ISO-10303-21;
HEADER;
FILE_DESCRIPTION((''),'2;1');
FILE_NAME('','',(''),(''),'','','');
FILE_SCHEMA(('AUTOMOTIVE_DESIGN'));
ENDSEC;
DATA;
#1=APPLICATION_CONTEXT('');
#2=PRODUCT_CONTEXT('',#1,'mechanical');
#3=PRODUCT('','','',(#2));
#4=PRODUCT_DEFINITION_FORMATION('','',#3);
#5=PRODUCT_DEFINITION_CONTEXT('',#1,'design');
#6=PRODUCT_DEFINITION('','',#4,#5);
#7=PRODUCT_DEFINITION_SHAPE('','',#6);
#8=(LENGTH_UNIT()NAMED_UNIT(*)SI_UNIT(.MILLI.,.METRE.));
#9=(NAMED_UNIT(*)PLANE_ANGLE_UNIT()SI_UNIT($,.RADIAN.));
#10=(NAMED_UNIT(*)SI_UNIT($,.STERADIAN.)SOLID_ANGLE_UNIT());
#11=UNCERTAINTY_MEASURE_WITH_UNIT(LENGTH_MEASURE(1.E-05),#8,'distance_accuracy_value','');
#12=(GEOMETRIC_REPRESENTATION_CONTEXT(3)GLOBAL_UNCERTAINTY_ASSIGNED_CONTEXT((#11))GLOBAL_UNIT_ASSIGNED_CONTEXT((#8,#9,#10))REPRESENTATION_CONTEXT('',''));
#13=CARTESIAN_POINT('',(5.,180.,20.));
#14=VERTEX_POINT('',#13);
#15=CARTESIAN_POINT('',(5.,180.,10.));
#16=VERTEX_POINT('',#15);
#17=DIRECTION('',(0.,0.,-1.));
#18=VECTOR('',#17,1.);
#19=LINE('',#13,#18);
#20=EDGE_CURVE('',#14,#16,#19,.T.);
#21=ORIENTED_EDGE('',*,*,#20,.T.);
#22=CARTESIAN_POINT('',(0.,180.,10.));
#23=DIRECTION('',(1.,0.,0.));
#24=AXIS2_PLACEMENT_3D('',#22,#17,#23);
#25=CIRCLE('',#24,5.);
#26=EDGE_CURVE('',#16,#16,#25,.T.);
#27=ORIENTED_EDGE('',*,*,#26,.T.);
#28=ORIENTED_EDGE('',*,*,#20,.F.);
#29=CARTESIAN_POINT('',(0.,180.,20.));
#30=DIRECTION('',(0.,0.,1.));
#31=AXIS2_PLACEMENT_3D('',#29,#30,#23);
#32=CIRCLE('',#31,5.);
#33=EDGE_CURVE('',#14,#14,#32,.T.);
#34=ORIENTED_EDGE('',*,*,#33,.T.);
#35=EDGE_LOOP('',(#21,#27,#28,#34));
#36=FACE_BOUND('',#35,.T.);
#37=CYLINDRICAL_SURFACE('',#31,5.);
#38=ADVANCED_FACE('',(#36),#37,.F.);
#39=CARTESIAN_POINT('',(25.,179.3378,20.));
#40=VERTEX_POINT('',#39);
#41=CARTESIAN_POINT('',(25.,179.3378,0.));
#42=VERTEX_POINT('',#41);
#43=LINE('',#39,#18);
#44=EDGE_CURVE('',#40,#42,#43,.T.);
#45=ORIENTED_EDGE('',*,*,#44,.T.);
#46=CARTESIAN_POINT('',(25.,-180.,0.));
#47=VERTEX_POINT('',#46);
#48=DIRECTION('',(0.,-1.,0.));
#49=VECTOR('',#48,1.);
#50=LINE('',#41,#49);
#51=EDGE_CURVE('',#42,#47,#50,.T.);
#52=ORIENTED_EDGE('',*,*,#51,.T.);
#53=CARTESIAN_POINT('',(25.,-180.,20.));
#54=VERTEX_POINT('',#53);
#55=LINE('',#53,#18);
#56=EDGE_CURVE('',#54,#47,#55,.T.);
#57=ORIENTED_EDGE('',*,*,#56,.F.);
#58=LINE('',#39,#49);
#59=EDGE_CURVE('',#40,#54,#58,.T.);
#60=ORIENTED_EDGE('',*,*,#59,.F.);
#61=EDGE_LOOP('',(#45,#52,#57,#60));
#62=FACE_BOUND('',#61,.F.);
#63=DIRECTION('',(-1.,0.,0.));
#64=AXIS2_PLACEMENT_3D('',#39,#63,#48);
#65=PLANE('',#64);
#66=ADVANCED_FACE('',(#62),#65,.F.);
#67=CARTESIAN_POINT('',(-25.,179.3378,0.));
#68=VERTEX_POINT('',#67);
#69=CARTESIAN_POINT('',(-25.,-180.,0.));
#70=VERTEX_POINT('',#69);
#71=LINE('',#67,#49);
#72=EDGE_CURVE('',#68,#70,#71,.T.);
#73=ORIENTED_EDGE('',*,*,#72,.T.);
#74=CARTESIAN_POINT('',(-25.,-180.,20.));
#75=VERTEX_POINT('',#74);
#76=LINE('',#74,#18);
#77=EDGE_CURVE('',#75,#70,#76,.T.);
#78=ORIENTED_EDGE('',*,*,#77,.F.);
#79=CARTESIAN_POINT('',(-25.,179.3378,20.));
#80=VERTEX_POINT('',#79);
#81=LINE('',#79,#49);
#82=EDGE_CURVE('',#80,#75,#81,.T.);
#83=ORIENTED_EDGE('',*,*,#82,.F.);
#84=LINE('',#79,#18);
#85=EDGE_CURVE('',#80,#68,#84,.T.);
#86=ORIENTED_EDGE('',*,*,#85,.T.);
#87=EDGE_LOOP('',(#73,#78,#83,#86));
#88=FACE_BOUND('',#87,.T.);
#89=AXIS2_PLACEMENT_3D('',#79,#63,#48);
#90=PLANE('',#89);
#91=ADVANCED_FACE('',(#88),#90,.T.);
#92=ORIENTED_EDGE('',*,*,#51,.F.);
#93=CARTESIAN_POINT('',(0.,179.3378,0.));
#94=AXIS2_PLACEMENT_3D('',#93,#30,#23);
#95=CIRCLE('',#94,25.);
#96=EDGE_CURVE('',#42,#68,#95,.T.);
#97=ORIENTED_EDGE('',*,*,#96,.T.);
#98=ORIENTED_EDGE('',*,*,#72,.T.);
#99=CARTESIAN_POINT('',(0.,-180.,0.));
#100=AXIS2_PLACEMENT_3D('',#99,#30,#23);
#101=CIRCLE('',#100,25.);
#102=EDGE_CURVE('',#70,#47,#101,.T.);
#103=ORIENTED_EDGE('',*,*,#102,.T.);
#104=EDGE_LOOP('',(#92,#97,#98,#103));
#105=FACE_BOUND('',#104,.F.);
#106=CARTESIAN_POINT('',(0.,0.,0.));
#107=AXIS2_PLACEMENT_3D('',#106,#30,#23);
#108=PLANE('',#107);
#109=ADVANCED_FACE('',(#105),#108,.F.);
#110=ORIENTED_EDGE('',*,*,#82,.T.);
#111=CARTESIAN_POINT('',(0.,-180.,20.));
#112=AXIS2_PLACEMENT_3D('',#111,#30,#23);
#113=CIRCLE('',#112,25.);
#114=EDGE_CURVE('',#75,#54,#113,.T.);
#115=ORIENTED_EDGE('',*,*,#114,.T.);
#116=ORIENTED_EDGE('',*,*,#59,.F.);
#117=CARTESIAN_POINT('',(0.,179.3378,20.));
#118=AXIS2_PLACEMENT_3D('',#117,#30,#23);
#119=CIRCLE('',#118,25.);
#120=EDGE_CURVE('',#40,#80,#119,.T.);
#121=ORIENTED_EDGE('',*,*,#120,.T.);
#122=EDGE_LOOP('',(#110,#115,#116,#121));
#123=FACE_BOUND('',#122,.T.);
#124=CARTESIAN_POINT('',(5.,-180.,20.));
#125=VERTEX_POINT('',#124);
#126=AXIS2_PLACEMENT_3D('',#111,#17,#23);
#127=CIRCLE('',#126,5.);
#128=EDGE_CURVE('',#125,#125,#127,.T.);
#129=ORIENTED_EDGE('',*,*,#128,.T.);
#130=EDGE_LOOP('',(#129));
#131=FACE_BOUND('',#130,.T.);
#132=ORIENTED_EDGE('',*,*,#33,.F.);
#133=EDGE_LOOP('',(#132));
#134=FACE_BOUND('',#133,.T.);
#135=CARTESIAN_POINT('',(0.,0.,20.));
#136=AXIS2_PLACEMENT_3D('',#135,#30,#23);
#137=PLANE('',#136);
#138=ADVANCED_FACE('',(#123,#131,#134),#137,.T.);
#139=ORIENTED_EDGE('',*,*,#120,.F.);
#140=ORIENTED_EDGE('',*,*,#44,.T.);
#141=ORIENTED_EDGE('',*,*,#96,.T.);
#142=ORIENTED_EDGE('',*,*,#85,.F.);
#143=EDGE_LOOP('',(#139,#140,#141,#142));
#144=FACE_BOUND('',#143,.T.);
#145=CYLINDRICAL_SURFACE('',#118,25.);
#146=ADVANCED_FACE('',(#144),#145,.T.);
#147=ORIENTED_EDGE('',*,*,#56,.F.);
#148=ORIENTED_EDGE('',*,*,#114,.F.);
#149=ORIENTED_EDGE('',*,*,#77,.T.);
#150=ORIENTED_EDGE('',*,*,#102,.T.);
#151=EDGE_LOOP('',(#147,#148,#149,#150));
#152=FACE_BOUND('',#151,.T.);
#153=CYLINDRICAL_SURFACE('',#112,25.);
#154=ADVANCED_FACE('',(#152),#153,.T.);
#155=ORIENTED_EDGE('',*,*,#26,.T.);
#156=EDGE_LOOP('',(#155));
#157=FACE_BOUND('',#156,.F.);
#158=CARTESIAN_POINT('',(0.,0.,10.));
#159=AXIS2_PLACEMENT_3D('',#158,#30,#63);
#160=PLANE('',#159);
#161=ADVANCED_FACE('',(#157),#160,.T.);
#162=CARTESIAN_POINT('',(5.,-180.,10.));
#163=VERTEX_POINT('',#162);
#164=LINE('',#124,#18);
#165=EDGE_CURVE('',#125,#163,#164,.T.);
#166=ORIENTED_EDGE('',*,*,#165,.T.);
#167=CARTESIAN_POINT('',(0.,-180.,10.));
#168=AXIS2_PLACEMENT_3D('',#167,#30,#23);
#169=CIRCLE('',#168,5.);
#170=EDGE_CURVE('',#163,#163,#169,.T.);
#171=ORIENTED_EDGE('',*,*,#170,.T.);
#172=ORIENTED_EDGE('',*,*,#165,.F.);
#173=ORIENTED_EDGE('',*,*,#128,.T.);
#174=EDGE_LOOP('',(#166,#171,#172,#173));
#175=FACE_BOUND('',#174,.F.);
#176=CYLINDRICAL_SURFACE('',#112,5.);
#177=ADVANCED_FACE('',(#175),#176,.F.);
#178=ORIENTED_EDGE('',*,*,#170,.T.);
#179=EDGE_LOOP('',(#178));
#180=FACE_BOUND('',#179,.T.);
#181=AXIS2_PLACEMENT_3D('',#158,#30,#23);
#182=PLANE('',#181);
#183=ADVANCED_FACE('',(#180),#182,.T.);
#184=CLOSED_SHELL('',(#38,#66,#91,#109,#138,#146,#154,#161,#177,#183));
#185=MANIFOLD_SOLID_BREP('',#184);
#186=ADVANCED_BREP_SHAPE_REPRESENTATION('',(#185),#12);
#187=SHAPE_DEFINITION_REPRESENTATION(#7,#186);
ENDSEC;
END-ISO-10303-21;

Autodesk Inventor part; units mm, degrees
ref_plane "YZ Plane" through (0, 0, 0) normal (1, 0, 0) x (0, 1, 0)
ref_plane "XZ Plane" through (0, 0, 0) normal (0, 1, 0) x (-1, 0, 0)
ref_plane "XY Plane" through (0, 0, 0) normal (0, 0, 1) x (1, 0, 0)
sketch "Sketch1" plane through (0, 0, 0) normal (0, 0, 1) x (1, 0, 0)
  line L0 (-7.5, 200) -> (7.5, 200)
  line L1 (7.5, 200) -> (7.5, -200)
  line L2 (7.5, -200) -> (-7.5, -200)
  line L3 (-7.5, -200) -> (-7.5, 200)
  line L4 (-35, 0) -> (35, 0) projected
  line L5 (0, -315) -> (0, 315) projected
  line L6 (-25, 200) -> (-25, -200)
  line L7 (25, 200) -> (25, -200)
  arc A0 (25, 200) -> (-25, 200) centre (0, 200) ccw
  arc A1 (-25, -200) -> (25, -200) centre (0, -200) ccw
  point P0 (0, 0)
  dimension "d4" = 7.5
  dimension "d5" = 7.5
  dimension "d6" = 200
  dimension "d7" = 200
extrude "Extrusion1" add sketch "Sketch1" along normal blind 20 contours L0 L5 L4 L3 | L0 L1 L4 L5 | L4 L5 L2 L3 | L4 L1 L2 L5
sketch "Sketch2" plane through (0, 0, 20) normal (0, 0, 1) x (1, 0, 0)
  circle A0 centre (0, 180) radius 5
  circle A1 centre (0, -180) radius 5
  line L0 (-10.5, 0) -> (10.5, 0) projected
  line L1 (0, -280) -> (0, 280) projected
  point P0 (0, 0)
  dimension "d8" = 10
  dimension "d9" = 180
  dimension "d10" = 180
  dimension "d11" = 10
extrude "Extrusion2" cut sketch "Sketch2" against normal blind 10
sketch "Sketch3" plane through (0, 0, 20) normal (0, 0, 1) x (1, 0, 0)
  circle A0 centre (0, -180) radius 5 projected
  circle A1 centre (0, -180) radius 25
  circle A2 centre (0, 179.3378) radius 25
  line L0 (-25, 179.3378) -> (-25, -180)
  line L1 (25, 179.3378) -> (25, -180)
  point P0 (0, 0)
  dimension "d14" = 50
  dimension "d15" = 50
extrude "Extrusion3" add sketch "Sketch3" against normal blind 20
mirror "Mirror1" about plane through (0, 0, 0) normal (0, 1, 0) of "Extrusion2"
